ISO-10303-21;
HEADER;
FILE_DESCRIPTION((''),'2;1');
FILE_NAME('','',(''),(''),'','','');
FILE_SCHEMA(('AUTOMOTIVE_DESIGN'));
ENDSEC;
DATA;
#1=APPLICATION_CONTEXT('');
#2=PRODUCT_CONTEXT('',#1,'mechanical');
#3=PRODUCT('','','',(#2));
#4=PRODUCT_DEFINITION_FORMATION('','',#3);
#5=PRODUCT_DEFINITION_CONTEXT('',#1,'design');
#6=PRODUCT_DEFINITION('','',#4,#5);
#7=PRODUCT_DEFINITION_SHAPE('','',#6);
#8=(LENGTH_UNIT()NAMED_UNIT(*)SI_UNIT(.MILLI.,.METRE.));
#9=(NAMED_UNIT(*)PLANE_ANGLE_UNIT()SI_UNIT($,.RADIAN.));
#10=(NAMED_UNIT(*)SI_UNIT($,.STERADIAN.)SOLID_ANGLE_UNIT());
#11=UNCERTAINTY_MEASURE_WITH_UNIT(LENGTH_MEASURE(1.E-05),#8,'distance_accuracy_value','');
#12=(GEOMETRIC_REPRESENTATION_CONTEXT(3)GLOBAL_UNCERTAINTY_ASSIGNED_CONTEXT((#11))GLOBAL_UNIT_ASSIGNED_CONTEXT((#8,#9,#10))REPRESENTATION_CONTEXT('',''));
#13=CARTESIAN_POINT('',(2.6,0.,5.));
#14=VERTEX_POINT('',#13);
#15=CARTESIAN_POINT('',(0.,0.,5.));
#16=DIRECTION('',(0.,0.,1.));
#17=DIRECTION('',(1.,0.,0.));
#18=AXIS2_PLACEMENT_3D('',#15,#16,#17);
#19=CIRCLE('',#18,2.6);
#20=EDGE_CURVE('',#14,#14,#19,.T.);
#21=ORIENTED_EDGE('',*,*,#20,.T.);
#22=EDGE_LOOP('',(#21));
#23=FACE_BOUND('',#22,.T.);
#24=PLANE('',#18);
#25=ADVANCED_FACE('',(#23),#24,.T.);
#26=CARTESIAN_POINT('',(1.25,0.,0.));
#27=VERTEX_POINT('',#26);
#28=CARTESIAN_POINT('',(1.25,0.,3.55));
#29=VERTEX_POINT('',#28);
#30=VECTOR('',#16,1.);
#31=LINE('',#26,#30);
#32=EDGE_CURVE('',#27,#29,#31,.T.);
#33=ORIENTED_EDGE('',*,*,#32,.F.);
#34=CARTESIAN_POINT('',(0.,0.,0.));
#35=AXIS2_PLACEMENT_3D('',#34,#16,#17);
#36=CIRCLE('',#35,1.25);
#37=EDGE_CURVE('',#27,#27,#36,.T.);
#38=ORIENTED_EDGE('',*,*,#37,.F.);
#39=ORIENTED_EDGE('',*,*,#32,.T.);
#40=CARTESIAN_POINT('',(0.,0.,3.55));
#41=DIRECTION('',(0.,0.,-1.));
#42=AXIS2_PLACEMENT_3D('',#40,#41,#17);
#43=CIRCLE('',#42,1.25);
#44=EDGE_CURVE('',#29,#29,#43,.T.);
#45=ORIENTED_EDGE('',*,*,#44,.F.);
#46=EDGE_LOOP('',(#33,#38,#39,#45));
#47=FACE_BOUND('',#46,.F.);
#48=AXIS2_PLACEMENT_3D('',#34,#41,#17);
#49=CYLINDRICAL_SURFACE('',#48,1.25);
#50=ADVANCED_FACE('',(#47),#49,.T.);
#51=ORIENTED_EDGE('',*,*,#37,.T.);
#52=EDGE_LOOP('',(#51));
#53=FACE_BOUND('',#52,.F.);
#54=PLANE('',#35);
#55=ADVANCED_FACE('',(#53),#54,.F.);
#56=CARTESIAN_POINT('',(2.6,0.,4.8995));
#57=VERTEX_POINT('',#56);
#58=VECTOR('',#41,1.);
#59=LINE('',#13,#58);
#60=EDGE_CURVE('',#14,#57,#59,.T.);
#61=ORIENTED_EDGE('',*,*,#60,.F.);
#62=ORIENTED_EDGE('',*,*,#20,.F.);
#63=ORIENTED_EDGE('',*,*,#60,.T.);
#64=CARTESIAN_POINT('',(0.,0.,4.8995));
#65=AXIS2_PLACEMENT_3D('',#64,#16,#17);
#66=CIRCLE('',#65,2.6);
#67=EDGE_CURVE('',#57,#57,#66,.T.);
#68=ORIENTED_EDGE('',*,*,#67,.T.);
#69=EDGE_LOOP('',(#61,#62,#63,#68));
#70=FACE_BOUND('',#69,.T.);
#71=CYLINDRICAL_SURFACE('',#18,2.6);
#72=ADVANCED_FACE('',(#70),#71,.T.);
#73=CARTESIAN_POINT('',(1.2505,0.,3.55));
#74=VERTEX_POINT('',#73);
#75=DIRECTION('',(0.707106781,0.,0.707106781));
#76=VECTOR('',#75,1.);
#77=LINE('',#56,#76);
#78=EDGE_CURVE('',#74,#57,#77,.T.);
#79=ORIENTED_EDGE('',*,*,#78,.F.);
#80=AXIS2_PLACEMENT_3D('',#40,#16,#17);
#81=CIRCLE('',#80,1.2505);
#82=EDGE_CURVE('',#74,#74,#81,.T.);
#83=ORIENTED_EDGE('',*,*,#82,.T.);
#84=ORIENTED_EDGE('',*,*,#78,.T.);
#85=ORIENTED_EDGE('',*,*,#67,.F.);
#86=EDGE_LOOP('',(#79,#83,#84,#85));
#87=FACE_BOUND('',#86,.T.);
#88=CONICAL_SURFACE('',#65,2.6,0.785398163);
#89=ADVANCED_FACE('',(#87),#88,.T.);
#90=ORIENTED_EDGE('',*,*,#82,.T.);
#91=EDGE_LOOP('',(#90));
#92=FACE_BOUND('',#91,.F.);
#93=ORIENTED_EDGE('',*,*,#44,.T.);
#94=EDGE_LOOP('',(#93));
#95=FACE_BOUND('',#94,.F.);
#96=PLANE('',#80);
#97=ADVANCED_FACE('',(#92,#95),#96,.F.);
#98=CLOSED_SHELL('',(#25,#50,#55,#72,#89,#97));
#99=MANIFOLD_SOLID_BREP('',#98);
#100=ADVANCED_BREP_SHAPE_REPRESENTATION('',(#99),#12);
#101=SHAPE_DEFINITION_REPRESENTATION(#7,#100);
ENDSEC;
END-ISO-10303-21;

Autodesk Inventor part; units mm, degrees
ref_plane "YZ Plane" through (0, 0, 0) normal (1, 0, 0) x (0, 1, 0)
ref_plane "XZ Plane" through (0, 0, 0) normal (0, 1, 0) x (-1, 0, 0)
ref_plane "XY Plane" through (0, 0, 0) normal (0, 0, 1) x (1, 0, 0)
sketch "スケッチ1" plane through (0, 0, 0) normal (0, 0, 1) x (1, 0, 0)
  circle A0 centre (0, 0) radius 1.25
  dimension "d0" = 2.5
extrude "押し出し1" add sketch "スケッチ1" along normal blind 5
sketch "スケッチ2" plane through (0, 0, 5) normal (0, 0, 1) x (1, 0, 0)
  circle A0 centre (0, 0) radius 2.6
  dimension "d3" = 5.2
extrude "押し出し2" add sketch "スケッチ2" against normal blind 1.45
thread "ねじ1" size "M2.6x0.45" class "6g" standard "ANSI Metric M Profile" full length
chamfer "面取り1" distance 1.35 angle 45 1 edges at (-2.6, 0, 3.55)
properties part number "ネジ皿m2.6,5" material "鋼、高強度、低合金"
